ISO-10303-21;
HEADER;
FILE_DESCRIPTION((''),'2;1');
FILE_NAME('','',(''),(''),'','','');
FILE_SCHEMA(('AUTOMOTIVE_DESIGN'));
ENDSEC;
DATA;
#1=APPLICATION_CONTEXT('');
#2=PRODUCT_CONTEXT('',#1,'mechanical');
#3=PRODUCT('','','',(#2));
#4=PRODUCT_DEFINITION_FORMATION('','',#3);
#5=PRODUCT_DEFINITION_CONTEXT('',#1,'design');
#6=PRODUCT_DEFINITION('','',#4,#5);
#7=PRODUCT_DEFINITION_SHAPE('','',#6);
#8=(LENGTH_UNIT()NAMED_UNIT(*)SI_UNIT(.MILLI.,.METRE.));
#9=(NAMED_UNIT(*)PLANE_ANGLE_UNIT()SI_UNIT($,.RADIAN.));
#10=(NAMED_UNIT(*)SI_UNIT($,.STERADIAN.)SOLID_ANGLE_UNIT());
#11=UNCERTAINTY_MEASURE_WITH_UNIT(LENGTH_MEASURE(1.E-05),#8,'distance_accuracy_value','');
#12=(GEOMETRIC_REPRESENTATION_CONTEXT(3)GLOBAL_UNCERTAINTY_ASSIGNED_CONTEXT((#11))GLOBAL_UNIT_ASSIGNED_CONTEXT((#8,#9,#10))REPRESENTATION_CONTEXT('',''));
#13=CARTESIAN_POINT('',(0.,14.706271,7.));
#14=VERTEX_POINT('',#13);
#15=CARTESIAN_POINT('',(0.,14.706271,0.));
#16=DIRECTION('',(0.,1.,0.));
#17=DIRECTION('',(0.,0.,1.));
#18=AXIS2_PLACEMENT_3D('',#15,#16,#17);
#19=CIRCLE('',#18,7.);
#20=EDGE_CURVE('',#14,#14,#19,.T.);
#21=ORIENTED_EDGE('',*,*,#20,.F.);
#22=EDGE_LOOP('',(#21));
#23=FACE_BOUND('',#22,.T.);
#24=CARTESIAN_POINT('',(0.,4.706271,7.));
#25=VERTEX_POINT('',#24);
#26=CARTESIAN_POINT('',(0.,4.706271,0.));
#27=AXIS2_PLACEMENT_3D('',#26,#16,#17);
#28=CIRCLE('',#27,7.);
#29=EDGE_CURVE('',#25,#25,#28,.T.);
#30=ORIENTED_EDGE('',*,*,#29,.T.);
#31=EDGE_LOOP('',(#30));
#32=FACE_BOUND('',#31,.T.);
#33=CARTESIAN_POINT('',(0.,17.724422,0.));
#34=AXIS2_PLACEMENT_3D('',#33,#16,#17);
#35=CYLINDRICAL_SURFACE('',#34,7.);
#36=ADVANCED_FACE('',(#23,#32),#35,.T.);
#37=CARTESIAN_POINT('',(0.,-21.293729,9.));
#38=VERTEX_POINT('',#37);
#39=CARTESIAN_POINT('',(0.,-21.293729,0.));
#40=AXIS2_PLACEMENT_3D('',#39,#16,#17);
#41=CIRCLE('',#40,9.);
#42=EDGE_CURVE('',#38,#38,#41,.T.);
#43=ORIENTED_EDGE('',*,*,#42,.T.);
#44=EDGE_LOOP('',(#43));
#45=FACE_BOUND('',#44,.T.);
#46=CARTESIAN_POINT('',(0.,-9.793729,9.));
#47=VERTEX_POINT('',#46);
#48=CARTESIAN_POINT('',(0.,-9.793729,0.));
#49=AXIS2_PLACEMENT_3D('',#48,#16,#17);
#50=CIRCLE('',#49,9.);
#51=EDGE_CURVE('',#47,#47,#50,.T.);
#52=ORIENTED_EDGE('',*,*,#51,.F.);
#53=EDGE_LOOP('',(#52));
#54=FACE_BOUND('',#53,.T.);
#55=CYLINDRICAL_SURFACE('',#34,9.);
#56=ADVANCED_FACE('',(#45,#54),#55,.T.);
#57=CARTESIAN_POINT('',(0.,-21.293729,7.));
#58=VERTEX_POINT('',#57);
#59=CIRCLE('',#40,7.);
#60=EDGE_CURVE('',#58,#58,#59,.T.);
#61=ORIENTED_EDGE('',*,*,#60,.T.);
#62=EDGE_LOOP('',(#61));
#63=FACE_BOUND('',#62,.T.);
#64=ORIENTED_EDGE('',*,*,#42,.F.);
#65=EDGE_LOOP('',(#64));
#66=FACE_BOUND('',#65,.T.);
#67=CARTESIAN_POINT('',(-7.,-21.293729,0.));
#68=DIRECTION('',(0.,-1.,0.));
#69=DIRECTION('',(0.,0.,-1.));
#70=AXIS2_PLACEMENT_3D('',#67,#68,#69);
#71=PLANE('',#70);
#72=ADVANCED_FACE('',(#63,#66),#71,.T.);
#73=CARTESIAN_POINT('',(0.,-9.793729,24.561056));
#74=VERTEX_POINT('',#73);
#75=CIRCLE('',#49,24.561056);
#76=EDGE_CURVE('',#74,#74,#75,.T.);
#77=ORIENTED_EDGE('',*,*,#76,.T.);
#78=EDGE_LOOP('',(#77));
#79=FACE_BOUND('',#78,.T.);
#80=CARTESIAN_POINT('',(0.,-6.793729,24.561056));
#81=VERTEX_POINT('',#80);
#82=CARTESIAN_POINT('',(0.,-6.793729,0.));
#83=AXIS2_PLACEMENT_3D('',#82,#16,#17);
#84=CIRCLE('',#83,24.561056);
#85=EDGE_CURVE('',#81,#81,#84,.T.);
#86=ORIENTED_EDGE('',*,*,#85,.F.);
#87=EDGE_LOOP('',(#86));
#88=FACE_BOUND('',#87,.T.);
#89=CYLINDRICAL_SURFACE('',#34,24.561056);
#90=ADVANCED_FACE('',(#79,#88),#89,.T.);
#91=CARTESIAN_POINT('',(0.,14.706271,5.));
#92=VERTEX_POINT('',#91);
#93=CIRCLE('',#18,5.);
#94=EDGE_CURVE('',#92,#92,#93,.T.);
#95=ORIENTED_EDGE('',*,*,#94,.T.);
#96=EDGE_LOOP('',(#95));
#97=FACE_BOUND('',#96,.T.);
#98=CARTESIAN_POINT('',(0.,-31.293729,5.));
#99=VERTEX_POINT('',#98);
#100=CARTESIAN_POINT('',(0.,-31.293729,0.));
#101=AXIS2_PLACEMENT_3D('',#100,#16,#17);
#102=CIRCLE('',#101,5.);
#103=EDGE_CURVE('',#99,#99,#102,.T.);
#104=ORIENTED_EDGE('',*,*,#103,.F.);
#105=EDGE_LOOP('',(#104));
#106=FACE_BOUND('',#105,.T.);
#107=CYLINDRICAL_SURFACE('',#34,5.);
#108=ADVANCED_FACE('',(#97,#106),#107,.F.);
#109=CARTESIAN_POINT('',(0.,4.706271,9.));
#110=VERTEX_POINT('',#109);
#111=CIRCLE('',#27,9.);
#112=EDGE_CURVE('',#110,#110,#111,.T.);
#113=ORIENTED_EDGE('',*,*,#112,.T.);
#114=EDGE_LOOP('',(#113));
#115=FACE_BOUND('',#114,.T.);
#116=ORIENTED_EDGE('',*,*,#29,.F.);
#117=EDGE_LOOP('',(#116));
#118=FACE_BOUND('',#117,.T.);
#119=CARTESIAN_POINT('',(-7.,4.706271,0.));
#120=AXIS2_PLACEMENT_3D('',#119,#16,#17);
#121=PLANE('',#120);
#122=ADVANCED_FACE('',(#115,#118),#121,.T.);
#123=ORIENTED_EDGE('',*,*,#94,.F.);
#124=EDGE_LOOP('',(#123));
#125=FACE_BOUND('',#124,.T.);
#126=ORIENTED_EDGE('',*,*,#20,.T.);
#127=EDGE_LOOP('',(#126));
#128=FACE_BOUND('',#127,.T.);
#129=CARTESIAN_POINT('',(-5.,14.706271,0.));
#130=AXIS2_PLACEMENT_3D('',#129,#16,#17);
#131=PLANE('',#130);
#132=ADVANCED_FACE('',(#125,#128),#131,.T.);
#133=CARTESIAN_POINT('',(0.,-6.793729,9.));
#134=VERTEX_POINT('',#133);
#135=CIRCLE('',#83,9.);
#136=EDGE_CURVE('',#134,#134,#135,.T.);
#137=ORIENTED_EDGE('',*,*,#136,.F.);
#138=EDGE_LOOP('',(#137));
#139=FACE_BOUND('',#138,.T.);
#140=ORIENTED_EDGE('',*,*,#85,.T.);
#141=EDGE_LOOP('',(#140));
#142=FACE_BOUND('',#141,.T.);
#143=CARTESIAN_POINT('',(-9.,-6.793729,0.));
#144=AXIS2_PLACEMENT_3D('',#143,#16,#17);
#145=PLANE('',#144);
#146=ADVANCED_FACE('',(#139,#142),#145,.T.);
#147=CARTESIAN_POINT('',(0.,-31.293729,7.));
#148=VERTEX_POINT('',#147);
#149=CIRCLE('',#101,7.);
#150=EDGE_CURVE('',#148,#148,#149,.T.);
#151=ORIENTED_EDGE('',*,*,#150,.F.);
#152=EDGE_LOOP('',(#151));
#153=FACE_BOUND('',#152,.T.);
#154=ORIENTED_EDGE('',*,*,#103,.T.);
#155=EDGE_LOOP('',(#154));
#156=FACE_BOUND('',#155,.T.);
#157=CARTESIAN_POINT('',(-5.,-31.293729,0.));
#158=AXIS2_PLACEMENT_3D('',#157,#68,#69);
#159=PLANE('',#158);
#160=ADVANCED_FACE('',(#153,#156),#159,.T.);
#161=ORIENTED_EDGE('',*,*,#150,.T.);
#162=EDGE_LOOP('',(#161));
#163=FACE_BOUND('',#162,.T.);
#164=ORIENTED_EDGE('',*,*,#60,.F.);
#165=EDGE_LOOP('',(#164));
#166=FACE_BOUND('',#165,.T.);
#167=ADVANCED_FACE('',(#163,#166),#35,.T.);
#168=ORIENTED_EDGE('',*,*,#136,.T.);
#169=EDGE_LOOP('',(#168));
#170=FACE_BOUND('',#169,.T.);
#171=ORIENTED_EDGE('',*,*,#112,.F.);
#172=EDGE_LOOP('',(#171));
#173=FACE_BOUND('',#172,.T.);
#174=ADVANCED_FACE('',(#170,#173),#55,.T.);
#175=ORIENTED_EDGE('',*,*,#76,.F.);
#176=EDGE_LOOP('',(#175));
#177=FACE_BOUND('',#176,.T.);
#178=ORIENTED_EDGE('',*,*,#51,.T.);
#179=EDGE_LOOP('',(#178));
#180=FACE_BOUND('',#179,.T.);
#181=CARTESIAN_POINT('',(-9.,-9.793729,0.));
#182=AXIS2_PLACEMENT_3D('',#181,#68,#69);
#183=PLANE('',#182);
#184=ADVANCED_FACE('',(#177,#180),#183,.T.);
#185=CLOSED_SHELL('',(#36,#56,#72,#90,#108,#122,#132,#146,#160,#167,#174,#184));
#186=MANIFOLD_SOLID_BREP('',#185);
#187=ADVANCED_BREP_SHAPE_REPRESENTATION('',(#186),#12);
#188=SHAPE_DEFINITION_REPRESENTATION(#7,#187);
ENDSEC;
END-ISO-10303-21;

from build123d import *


with BuildPart() as part:
    # Sketch1 → Revolve1 (revolve)
    with BuildSketch(Plane.XY, mode=Mode.PRIVATE) as revolve1_sk:
        Polygon((-9, -6.793729373), (-24.561056106, -6.793729373), (-24.561056106, -9.793729373), (-9, -9.793729373), (-9, -21.293729373), (-7, -21.293729373), (-7, -31.293729373), (-5, -31.293729373), (-5, 14.706270627), (-7, 14.706270627), (-7, 4.706270627), (-9, 4.706270627), align=None)
    revolve(revolve1_sk.sketch.rotate(Axis((0, 17.724422442, 0), (0, -1, 0)), 270), axis=Axis((0, 17.724422442, 0), (0, -1, 0)))


solid = part.part
